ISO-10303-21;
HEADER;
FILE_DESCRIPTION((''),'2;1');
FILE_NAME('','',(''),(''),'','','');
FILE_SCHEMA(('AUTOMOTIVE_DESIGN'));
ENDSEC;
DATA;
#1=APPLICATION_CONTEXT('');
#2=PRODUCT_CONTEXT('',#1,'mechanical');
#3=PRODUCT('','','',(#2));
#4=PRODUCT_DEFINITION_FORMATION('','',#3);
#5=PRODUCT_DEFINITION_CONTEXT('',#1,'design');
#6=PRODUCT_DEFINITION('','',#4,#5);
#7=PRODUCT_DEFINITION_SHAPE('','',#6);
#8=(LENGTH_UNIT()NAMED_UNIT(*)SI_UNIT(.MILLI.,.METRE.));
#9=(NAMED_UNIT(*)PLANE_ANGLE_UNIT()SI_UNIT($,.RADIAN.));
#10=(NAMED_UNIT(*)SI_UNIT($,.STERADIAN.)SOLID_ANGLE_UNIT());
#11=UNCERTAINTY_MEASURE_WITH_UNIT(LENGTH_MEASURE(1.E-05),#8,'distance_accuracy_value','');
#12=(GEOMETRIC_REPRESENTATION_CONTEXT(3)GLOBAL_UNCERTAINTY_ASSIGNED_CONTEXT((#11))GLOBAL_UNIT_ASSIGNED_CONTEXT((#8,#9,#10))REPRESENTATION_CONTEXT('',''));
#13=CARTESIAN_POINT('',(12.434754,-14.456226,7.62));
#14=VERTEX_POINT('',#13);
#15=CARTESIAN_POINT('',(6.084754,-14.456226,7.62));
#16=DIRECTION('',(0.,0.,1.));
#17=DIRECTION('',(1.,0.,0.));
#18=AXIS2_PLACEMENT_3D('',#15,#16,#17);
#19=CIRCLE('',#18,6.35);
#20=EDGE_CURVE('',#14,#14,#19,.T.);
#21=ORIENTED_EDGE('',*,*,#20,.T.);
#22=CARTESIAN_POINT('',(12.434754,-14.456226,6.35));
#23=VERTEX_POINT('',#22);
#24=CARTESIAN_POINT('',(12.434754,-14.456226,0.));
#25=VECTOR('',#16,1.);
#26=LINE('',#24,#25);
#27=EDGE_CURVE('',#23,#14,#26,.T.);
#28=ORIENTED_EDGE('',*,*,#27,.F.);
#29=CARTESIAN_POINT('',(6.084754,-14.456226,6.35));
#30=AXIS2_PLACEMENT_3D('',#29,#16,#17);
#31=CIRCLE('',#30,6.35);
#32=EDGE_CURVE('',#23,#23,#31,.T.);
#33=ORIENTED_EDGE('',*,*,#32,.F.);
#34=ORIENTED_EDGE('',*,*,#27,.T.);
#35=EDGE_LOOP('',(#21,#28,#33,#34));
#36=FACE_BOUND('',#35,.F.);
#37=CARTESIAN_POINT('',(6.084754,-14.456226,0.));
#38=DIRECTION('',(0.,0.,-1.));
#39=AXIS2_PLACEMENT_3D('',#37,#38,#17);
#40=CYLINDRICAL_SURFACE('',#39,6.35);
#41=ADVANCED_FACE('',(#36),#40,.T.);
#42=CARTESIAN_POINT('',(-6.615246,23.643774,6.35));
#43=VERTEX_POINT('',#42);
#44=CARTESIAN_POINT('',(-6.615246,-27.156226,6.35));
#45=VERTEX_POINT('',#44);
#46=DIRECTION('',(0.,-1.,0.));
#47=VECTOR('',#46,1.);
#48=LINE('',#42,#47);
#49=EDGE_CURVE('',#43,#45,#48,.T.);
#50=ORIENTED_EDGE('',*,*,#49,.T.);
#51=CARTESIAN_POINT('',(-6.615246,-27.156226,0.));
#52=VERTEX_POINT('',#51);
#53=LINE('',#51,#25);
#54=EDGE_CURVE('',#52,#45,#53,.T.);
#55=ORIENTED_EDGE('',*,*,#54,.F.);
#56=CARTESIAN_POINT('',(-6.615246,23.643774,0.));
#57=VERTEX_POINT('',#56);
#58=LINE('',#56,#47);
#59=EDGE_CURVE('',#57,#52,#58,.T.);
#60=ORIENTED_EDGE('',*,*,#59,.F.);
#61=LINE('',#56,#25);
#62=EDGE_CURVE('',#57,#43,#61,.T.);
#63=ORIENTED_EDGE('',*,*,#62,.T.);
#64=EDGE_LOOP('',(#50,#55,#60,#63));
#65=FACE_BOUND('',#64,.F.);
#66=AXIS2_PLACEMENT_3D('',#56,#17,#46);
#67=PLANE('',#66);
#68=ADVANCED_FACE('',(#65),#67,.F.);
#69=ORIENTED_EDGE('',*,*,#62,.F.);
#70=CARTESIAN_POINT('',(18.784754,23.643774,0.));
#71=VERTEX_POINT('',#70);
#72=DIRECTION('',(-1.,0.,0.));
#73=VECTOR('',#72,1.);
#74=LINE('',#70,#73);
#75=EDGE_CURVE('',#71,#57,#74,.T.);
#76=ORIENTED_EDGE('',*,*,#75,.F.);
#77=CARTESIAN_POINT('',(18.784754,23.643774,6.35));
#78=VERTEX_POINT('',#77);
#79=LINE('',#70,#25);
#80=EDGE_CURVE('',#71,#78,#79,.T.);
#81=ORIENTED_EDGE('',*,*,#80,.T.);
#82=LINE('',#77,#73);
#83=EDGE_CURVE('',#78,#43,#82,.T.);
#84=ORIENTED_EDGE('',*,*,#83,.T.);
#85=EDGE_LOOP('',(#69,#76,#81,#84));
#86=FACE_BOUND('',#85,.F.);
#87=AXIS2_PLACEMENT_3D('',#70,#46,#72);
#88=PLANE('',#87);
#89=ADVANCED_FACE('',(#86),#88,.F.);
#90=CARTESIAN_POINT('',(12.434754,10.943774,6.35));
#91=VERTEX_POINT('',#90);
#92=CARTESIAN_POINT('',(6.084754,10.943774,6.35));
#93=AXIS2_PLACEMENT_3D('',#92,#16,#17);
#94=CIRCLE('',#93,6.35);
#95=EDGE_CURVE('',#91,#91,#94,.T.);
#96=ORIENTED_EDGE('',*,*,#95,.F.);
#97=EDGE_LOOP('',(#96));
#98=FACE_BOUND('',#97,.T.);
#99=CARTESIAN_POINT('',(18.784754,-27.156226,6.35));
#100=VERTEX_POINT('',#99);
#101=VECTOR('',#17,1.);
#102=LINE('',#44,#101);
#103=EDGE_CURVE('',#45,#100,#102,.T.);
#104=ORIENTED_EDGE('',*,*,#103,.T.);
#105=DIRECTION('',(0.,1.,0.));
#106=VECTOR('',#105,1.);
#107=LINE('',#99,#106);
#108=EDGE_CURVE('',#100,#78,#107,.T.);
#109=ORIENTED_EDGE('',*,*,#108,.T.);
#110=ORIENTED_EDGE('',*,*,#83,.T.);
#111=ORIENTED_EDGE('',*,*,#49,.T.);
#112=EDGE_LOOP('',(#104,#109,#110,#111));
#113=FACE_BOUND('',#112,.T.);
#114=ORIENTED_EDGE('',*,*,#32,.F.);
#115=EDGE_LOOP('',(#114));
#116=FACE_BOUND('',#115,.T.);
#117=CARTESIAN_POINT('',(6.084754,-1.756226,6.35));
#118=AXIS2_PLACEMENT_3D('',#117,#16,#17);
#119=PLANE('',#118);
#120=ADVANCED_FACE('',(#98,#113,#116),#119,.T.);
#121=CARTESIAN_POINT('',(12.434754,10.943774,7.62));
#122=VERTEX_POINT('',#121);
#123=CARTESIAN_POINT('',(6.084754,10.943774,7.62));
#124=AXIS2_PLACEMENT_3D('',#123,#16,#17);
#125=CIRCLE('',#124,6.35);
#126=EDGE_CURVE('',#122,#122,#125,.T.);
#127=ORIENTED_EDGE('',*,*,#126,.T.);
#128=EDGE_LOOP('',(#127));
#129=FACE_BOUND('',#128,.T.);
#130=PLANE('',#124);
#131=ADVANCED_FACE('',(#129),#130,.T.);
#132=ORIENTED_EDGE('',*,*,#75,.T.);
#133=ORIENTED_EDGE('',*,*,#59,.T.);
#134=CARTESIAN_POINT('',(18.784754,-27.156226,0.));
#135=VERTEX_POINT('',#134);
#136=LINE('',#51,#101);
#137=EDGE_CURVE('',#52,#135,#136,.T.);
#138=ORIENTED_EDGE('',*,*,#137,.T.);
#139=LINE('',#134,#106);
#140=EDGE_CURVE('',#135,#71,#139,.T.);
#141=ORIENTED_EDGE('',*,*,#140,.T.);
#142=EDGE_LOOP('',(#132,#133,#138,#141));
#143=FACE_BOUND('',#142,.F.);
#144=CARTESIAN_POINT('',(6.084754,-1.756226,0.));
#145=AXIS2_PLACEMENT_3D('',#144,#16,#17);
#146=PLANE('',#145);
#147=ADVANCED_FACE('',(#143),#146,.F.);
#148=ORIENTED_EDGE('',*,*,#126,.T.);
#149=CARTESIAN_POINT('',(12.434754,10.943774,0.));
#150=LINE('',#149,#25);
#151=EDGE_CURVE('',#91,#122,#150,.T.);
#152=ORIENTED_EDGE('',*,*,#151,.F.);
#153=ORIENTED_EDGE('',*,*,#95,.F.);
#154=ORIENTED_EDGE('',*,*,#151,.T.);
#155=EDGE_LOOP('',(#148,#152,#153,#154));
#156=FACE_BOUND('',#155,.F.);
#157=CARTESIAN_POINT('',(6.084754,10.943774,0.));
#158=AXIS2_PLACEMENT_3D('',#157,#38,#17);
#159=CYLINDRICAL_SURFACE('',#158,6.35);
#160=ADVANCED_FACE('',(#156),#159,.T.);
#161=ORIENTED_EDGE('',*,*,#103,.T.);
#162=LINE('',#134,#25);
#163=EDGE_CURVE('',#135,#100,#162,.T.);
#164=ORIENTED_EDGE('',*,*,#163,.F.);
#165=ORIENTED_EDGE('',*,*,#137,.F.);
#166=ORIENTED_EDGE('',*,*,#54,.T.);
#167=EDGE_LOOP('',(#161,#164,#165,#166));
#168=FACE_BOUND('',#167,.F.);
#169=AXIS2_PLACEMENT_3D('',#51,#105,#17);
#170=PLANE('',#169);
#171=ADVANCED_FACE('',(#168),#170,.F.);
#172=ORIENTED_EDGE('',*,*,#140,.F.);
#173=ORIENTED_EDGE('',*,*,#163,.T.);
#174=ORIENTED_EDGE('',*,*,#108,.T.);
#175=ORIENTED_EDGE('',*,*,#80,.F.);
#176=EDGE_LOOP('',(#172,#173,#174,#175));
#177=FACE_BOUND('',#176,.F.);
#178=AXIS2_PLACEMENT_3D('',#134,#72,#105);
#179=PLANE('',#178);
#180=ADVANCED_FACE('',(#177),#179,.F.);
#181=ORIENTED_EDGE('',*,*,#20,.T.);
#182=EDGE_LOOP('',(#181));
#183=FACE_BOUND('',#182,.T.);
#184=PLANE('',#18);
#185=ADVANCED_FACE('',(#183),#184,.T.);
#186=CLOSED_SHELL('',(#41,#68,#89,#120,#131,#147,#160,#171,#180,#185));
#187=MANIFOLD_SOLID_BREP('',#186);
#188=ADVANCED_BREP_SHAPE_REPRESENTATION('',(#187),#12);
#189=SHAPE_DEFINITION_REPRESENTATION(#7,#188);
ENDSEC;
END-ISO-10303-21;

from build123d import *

# Parameters (mm, degrees)
F0_R     = 6.35
F1_DEPTH = 6.35
F2_DEPTH = 7.62


with BuildPart() as f1:
    # F0 (on Top) → F1 (new body)
    with BuildSketch(Plane.XY):
        Polygon((18.784754, 23.643774), (-6.615246, 23.643774), (-6.615246, 10.943774), (-6.615246, -14.456226), (-6.615246, -27.156226), (18.784754, -27.156226), align=None)
        with Locations((6.084754, -14.456226)):
            Circle(F0_R, mode=Mode.SUBTRACT)
        with Locations((6.084754, 10.943774)):
            Circle(F0_R, mode=Mode.SUBTRACT)
    extrude(amount=F1_DEPTH)

    # F0 (on Top) → F2 (join)
    with BuildSketch(Plane.XY):
        with Locations((6.084754, 10.943774)):
            Circle(F0_R)
        with Locations((6.084754, -14.456226)):
            Circle(F0_R)
    extrude(amount=F2_DEPTH)


solid = f1.part
